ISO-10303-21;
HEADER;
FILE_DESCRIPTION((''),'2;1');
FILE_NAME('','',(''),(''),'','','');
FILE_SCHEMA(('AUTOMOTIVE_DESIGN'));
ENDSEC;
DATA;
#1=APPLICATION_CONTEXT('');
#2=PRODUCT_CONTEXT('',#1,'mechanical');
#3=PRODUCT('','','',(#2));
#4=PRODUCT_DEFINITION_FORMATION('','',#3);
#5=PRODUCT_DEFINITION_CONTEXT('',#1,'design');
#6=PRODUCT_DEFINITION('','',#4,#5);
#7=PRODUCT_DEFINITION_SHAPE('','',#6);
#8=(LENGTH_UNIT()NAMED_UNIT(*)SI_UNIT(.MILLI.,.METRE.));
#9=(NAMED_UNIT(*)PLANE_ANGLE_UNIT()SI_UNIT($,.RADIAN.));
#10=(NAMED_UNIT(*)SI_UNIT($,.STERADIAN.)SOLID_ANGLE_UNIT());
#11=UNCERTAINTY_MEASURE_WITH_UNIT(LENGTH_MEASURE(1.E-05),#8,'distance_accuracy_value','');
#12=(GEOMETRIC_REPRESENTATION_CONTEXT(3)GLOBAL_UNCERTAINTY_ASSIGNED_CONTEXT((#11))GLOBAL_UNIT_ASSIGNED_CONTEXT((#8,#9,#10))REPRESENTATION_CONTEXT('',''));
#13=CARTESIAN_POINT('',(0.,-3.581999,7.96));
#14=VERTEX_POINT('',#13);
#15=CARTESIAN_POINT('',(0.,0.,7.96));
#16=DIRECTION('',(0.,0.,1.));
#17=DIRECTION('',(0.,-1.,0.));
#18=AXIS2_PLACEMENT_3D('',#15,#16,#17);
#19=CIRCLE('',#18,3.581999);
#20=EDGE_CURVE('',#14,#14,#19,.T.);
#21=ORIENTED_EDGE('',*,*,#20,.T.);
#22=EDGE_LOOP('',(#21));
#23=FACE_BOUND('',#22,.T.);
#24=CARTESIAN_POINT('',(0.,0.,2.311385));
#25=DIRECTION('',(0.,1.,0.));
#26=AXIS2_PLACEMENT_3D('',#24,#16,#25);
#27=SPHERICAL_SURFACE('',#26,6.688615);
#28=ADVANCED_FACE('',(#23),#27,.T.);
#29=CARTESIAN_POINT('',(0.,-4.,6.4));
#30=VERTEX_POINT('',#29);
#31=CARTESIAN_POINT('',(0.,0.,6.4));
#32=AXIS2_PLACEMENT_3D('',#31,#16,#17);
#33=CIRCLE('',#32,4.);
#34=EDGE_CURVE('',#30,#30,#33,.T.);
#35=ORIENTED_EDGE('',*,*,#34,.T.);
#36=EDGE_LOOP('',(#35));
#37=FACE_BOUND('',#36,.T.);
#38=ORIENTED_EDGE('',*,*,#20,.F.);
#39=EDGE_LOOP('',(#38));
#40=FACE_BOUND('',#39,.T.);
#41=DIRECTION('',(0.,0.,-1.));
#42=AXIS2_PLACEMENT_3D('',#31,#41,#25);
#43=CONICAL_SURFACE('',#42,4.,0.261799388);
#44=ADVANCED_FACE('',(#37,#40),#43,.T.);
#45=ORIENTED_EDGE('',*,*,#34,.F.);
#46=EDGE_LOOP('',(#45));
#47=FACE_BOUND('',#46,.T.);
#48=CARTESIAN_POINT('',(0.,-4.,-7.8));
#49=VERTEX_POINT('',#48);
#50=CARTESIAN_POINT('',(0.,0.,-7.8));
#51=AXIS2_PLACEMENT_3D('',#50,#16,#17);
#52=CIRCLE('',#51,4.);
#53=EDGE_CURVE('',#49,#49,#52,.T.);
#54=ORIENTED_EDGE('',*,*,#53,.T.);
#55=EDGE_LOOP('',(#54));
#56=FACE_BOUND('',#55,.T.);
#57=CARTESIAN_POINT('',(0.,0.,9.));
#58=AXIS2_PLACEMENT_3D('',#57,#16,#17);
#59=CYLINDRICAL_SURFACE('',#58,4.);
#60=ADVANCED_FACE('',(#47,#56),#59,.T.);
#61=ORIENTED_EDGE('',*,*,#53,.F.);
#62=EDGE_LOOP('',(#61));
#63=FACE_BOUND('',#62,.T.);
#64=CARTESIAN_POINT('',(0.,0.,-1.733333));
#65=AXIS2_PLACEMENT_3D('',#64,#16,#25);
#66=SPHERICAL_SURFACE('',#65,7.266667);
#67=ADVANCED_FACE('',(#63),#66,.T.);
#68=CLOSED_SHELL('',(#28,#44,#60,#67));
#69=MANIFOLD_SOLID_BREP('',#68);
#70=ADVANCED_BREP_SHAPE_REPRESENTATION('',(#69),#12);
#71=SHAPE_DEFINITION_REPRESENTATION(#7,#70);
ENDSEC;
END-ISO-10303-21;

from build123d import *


with BuildPart() as part:
    # Sketch3 → Revolve1 (revolve)
    with BuildSketch(Plane(origin=(0, 0, 0), x_dir=(0, 0, -1), z_dir=(1, 0, 0))):
        with BuildLine():
            Line((-9, 0), (9, 0))
            ThreePointArc((9, 0), (8.693537673, 2.088061302), (7.8, 4))
            Line((7.8, 4), (-6.4, 4))
            Line((-6.4, 4), (-7.96, 3.58199926))
            ThreePointArc((-7.96, 3.58199926), (-8.734740106, 1.864961038), (-9, 0))
        make_face()
    revolve(axis=Axis((0, 0, 9), (0, 0, -1)))


solid = part.part
